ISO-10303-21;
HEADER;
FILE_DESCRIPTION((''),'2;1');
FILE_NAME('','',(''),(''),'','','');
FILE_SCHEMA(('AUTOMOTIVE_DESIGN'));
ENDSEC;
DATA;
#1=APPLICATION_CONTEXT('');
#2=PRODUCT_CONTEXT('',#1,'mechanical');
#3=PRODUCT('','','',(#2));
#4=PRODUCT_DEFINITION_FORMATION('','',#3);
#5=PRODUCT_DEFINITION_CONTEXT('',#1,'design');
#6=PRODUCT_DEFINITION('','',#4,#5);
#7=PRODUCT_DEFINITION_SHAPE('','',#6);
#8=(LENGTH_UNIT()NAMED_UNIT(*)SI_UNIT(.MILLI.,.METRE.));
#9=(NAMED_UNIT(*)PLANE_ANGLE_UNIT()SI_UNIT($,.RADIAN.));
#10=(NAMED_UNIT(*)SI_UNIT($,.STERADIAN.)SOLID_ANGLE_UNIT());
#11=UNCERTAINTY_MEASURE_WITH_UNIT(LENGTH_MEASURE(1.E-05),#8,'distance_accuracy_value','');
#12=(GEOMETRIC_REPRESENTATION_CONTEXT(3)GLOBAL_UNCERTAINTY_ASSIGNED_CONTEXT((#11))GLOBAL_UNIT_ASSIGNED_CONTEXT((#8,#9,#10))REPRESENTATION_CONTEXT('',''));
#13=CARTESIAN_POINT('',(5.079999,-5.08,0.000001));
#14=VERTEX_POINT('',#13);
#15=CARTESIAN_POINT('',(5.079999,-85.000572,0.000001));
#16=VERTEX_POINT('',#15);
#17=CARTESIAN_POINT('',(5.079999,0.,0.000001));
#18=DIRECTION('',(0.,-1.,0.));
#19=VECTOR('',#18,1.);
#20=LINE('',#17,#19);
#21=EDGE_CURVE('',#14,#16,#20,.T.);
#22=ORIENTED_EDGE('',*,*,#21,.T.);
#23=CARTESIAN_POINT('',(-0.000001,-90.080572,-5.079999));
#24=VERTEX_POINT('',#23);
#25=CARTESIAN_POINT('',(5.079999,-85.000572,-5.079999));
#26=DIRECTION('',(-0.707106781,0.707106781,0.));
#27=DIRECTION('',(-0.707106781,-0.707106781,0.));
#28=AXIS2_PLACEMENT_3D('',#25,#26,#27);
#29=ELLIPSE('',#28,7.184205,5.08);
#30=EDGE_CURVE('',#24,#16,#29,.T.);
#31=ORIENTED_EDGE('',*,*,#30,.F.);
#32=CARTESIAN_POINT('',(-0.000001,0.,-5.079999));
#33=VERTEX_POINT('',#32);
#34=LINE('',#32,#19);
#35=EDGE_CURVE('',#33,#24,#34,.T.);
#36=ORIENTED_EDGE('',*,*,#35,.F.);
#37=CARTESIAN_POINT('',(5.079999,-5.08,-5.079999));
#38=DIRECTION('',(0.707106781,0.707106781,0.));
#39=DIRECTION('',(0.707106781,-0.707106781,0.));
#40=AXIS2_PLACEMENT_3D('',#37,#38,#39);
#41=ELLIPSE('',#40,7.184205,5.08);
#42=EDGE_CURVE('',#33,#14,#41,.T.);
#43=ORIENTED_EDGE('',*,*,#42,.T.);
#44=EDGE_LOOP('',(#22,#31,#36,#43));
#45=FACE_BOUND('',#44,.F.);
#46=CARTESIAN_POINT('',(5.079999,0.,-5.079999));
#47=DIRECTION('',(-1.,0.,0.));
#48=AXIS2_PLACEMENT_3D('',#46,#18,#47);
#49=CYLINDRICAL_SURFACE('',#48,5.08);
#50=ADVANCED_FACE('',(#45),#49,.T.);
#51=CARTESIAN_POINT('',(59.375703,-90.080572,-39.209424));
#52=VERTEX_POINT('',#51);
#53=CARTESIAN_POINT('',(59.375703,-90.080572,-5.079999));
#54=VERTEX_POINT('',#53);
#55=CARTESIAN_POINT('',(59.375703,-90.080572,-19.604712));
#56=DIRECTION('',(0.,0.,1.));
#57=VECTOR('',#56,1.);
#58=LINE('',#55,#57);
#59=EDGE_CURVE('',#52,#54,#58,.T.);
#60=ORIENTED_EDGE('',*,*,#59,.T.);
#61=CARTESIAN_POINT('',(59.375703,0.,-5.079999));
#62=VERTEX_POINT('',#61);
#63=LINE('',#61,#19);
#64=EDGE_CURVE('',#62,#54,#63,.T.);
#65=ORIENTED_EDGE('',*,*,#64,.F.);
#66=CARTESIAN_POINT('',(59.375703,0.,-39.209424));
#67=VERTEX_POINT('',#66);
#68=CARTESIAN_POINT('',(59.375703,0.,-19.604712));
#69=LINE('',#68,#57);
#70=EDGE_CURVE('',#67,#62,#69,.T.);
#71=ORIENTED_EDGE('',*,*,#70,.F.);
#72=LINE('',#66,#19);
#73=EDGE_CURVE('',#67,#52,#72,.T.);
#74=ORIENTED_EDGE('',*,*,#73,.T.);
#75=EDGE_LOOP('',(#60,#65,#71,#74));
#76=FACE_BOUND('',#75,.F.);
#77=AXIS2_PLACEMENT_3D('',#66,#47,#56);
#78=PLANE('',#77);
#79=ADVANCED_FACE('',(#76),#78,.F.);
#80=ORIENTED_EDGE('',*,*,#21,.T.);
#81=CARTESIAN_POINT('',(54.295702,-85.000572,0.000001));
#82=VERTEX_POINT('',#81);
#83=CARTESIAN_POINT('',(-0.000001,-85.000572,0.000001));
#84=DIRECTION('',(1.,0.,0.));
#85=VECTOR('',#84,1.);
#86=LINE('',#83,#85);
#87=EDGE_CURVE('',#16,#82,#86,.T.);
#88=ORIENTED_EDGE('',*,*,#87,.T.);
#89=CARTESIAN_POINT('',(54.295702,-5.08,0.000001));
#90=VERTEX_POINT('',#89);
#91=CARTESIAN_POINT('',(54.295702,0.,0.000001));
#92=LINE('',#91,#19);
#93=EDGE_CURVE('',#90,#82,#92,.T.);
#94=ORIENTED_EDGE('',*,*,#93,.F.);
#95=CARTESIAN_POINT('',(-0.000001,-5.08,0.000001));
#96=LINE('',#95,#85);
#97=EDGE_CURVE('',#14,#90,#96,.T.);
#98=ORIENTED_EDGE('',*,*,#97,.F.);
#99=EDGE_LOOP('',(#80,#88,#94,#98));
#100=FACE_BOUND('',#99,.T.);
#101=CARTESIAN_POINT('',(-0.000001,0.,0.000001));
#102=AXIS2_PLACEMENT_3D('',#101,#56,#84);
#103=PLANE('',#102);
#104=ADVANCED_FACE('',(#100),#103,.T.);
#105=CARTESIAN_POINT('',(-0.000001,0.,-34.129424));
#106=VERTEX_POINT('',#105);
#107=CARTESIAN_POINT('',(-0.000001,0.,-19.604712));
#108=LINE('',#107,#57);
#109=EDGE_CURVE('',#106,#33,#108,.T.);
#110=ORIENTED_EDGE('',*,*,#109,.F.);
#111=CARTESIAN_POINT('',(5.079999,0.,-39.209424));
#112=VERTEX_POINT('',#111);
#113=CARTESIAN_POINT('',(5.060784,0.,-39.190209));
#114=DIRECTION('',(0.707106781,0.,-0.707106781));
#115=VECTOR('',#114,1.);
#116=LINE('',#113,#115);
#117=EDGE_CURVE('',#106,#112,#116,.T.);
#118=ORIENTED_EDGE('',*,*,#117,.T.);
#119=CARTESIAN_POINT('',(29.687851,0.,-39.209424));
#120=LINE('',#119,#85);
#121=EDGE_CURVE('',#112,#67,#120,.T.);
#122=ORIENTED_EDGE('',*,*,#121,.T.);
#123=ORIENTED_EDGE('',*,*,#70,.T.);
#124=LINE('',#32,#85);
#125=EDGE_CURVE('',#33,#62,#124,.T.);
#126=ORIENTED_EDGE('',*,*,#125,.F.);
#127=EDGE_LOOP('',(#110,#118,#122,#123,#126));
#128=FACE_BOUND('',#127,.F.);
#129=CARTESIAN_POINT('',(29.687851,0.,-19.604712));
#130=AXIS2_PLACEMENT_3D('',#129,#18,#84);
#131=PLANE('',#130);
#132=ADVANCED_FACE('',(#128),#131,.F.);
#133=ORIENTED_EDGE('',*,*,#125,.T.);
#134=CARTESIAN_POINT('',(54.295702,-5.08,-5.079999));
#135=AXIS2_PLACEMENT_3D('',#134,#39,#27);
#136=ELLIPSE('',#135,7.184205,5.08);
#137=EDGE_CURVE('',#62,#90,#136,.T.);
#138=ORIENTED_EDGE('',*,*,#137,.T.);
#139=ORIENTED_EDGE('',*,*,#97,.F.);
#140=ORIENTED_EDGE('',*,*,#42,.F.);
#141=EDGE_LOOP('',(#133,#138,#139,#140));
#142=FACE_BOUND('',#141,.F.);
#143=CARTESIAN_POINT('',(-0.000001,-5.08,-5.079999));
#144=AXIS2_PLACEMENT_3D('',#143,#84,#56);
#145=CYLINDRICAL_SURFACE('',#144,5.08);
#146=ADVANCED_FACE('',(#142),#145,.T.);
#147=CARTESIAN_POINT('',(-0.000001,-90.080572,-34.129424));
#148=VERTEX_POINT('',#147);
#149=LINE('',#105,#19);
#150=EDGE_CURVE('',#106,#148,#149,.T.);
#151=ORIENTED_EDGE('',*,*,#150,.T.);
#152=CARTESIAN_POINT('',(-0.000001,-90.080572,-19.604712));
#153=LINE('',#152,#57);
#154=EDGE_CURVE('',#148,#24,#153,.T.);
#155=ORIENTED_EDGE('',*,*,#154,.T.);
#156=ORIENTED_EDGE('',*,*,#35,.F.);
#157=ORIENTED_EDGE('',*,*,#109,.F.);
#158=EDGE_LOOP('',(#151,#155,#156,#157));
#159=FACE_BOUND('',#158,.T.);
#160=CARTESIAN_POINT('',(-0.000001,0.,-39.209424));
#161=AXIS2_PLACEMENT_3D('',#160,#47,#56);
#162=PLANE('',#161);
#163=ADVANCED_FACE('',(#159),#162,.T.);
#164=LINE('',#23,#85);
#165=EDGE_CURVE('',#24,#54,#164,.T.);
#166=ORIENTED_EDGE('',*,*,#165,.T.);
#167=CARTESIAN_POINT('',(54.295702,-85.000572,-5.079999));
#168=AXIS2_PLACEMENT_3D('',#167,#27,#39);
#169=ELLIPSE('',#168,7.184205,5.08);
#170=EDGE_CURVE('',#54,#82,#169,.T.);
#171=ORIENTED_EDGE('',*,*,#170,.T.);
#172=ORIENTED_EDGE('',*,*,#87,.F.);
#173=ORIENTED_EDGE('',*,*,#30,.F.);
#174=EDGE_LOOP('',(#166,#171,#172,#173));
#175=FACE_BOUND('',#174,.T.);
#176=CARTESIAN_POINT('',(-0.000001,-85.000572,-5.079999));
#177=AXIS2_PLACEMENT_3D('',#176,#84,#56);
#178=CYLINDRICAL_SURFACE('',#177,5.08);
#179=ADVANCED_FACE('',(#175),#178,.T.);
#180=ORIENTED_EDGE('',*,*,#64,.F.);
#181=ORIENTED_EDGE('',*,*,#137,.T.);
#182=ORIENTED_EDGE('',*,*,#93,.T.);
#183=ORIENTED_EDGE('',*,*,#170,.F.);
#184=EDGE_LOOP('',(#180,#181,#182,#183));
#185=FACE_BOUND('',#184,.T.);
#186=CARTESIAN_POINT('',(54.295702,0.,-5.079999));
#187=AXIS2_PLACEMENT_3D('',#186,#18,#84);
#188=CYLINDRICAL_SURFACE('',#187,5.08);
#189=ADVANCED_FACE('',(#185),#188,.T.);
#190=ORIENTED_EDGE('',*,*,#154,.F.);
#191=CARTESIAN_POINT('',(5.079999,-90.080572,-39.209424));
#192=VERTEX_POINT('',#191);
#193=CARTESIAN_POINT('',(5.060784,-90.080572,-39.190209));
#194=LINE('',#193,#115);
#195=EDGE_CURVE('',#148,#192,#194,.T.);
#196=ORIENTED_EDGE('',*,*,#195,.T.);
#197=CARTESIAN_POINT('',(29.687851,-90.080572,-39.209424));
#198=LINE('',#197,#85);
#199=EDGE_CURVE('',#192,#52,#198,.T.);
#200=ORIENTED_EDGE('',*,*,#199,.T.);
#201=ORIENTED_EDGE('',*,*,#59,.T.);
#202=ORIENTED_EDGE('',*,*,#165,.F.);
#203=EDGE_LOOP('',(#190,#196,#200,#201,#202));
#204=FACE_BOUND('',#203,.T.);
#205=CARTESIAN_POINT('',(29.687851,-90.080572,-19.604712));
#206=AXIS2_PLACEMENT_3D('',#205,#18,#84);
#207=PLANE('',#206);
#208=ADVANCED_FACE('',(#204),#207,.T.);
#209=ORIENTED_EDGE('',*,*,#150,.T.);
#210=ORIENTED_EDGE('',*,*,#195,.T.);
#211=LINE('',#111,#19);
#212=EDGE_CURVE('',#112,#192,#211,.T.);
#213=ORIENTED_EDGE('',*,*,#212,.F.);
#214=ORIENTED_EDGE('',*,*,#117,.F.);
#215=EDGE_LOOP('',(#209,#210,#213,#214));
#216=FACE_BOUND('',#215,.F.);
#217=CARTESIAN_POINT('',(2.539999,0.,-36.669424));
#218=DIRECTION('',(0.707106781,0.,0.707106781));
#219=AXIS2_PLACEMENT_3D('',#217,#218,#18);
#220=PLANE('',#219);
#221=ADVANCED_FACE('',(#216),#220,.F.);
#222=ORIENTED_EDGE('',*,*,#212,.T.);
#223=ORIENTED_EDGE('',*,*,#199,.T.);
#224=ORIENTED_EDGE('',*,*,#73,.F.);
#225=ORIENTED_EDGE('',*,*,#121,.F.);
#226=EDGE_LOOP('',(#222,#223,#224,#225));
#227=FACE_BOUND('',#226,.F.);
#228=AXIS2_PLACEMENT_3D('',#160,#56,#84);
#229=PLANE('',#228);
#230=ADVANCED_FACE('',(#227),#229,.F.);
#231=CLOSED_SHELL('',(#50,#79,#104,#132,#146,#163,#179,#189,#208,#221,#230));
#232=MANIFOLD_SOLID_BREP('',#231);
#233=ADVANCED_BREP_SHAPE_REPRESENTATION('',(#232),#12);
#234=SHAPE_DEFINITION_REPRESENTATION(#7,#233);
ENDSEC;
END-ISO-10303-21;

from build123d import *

# Parameters (mm, degrees)
F0_W     = 59.375703
F0_H     = 39.209425
F1_DEPTH = 90.080572
F3_R     = 5.08
F2_SIZE  = 5.08


with BuildPart() as f1:
    # F0 (on Front) → F1 (new body)
    with BuildSketch(Plane.XZ):
        with Locations((29.687851, -19.604712)):
            Rectangle(F0_W, F0_H)
    extrude(amount=F1_DEPTH)

    # F3
    f3_edges = [f1.edges().sort_by_distance(p)[0] for p in [
        (59.375703, -45.040286, 0),
        (0, -45.040286, 0),
        (29.687852, 0, 0),
        (29.687852, -90.080572, 0),
    ]]
    fillet(f3_edges, radius=F3_R)

    # F2
    f2_edges = [f1.edges().sort_by_distance(p)[0] for p in [
        (0, -45.040286, -39.209425),
    ]]
    chamfer(f2_edges, length=F2_SIZE)


solid = f1.part
